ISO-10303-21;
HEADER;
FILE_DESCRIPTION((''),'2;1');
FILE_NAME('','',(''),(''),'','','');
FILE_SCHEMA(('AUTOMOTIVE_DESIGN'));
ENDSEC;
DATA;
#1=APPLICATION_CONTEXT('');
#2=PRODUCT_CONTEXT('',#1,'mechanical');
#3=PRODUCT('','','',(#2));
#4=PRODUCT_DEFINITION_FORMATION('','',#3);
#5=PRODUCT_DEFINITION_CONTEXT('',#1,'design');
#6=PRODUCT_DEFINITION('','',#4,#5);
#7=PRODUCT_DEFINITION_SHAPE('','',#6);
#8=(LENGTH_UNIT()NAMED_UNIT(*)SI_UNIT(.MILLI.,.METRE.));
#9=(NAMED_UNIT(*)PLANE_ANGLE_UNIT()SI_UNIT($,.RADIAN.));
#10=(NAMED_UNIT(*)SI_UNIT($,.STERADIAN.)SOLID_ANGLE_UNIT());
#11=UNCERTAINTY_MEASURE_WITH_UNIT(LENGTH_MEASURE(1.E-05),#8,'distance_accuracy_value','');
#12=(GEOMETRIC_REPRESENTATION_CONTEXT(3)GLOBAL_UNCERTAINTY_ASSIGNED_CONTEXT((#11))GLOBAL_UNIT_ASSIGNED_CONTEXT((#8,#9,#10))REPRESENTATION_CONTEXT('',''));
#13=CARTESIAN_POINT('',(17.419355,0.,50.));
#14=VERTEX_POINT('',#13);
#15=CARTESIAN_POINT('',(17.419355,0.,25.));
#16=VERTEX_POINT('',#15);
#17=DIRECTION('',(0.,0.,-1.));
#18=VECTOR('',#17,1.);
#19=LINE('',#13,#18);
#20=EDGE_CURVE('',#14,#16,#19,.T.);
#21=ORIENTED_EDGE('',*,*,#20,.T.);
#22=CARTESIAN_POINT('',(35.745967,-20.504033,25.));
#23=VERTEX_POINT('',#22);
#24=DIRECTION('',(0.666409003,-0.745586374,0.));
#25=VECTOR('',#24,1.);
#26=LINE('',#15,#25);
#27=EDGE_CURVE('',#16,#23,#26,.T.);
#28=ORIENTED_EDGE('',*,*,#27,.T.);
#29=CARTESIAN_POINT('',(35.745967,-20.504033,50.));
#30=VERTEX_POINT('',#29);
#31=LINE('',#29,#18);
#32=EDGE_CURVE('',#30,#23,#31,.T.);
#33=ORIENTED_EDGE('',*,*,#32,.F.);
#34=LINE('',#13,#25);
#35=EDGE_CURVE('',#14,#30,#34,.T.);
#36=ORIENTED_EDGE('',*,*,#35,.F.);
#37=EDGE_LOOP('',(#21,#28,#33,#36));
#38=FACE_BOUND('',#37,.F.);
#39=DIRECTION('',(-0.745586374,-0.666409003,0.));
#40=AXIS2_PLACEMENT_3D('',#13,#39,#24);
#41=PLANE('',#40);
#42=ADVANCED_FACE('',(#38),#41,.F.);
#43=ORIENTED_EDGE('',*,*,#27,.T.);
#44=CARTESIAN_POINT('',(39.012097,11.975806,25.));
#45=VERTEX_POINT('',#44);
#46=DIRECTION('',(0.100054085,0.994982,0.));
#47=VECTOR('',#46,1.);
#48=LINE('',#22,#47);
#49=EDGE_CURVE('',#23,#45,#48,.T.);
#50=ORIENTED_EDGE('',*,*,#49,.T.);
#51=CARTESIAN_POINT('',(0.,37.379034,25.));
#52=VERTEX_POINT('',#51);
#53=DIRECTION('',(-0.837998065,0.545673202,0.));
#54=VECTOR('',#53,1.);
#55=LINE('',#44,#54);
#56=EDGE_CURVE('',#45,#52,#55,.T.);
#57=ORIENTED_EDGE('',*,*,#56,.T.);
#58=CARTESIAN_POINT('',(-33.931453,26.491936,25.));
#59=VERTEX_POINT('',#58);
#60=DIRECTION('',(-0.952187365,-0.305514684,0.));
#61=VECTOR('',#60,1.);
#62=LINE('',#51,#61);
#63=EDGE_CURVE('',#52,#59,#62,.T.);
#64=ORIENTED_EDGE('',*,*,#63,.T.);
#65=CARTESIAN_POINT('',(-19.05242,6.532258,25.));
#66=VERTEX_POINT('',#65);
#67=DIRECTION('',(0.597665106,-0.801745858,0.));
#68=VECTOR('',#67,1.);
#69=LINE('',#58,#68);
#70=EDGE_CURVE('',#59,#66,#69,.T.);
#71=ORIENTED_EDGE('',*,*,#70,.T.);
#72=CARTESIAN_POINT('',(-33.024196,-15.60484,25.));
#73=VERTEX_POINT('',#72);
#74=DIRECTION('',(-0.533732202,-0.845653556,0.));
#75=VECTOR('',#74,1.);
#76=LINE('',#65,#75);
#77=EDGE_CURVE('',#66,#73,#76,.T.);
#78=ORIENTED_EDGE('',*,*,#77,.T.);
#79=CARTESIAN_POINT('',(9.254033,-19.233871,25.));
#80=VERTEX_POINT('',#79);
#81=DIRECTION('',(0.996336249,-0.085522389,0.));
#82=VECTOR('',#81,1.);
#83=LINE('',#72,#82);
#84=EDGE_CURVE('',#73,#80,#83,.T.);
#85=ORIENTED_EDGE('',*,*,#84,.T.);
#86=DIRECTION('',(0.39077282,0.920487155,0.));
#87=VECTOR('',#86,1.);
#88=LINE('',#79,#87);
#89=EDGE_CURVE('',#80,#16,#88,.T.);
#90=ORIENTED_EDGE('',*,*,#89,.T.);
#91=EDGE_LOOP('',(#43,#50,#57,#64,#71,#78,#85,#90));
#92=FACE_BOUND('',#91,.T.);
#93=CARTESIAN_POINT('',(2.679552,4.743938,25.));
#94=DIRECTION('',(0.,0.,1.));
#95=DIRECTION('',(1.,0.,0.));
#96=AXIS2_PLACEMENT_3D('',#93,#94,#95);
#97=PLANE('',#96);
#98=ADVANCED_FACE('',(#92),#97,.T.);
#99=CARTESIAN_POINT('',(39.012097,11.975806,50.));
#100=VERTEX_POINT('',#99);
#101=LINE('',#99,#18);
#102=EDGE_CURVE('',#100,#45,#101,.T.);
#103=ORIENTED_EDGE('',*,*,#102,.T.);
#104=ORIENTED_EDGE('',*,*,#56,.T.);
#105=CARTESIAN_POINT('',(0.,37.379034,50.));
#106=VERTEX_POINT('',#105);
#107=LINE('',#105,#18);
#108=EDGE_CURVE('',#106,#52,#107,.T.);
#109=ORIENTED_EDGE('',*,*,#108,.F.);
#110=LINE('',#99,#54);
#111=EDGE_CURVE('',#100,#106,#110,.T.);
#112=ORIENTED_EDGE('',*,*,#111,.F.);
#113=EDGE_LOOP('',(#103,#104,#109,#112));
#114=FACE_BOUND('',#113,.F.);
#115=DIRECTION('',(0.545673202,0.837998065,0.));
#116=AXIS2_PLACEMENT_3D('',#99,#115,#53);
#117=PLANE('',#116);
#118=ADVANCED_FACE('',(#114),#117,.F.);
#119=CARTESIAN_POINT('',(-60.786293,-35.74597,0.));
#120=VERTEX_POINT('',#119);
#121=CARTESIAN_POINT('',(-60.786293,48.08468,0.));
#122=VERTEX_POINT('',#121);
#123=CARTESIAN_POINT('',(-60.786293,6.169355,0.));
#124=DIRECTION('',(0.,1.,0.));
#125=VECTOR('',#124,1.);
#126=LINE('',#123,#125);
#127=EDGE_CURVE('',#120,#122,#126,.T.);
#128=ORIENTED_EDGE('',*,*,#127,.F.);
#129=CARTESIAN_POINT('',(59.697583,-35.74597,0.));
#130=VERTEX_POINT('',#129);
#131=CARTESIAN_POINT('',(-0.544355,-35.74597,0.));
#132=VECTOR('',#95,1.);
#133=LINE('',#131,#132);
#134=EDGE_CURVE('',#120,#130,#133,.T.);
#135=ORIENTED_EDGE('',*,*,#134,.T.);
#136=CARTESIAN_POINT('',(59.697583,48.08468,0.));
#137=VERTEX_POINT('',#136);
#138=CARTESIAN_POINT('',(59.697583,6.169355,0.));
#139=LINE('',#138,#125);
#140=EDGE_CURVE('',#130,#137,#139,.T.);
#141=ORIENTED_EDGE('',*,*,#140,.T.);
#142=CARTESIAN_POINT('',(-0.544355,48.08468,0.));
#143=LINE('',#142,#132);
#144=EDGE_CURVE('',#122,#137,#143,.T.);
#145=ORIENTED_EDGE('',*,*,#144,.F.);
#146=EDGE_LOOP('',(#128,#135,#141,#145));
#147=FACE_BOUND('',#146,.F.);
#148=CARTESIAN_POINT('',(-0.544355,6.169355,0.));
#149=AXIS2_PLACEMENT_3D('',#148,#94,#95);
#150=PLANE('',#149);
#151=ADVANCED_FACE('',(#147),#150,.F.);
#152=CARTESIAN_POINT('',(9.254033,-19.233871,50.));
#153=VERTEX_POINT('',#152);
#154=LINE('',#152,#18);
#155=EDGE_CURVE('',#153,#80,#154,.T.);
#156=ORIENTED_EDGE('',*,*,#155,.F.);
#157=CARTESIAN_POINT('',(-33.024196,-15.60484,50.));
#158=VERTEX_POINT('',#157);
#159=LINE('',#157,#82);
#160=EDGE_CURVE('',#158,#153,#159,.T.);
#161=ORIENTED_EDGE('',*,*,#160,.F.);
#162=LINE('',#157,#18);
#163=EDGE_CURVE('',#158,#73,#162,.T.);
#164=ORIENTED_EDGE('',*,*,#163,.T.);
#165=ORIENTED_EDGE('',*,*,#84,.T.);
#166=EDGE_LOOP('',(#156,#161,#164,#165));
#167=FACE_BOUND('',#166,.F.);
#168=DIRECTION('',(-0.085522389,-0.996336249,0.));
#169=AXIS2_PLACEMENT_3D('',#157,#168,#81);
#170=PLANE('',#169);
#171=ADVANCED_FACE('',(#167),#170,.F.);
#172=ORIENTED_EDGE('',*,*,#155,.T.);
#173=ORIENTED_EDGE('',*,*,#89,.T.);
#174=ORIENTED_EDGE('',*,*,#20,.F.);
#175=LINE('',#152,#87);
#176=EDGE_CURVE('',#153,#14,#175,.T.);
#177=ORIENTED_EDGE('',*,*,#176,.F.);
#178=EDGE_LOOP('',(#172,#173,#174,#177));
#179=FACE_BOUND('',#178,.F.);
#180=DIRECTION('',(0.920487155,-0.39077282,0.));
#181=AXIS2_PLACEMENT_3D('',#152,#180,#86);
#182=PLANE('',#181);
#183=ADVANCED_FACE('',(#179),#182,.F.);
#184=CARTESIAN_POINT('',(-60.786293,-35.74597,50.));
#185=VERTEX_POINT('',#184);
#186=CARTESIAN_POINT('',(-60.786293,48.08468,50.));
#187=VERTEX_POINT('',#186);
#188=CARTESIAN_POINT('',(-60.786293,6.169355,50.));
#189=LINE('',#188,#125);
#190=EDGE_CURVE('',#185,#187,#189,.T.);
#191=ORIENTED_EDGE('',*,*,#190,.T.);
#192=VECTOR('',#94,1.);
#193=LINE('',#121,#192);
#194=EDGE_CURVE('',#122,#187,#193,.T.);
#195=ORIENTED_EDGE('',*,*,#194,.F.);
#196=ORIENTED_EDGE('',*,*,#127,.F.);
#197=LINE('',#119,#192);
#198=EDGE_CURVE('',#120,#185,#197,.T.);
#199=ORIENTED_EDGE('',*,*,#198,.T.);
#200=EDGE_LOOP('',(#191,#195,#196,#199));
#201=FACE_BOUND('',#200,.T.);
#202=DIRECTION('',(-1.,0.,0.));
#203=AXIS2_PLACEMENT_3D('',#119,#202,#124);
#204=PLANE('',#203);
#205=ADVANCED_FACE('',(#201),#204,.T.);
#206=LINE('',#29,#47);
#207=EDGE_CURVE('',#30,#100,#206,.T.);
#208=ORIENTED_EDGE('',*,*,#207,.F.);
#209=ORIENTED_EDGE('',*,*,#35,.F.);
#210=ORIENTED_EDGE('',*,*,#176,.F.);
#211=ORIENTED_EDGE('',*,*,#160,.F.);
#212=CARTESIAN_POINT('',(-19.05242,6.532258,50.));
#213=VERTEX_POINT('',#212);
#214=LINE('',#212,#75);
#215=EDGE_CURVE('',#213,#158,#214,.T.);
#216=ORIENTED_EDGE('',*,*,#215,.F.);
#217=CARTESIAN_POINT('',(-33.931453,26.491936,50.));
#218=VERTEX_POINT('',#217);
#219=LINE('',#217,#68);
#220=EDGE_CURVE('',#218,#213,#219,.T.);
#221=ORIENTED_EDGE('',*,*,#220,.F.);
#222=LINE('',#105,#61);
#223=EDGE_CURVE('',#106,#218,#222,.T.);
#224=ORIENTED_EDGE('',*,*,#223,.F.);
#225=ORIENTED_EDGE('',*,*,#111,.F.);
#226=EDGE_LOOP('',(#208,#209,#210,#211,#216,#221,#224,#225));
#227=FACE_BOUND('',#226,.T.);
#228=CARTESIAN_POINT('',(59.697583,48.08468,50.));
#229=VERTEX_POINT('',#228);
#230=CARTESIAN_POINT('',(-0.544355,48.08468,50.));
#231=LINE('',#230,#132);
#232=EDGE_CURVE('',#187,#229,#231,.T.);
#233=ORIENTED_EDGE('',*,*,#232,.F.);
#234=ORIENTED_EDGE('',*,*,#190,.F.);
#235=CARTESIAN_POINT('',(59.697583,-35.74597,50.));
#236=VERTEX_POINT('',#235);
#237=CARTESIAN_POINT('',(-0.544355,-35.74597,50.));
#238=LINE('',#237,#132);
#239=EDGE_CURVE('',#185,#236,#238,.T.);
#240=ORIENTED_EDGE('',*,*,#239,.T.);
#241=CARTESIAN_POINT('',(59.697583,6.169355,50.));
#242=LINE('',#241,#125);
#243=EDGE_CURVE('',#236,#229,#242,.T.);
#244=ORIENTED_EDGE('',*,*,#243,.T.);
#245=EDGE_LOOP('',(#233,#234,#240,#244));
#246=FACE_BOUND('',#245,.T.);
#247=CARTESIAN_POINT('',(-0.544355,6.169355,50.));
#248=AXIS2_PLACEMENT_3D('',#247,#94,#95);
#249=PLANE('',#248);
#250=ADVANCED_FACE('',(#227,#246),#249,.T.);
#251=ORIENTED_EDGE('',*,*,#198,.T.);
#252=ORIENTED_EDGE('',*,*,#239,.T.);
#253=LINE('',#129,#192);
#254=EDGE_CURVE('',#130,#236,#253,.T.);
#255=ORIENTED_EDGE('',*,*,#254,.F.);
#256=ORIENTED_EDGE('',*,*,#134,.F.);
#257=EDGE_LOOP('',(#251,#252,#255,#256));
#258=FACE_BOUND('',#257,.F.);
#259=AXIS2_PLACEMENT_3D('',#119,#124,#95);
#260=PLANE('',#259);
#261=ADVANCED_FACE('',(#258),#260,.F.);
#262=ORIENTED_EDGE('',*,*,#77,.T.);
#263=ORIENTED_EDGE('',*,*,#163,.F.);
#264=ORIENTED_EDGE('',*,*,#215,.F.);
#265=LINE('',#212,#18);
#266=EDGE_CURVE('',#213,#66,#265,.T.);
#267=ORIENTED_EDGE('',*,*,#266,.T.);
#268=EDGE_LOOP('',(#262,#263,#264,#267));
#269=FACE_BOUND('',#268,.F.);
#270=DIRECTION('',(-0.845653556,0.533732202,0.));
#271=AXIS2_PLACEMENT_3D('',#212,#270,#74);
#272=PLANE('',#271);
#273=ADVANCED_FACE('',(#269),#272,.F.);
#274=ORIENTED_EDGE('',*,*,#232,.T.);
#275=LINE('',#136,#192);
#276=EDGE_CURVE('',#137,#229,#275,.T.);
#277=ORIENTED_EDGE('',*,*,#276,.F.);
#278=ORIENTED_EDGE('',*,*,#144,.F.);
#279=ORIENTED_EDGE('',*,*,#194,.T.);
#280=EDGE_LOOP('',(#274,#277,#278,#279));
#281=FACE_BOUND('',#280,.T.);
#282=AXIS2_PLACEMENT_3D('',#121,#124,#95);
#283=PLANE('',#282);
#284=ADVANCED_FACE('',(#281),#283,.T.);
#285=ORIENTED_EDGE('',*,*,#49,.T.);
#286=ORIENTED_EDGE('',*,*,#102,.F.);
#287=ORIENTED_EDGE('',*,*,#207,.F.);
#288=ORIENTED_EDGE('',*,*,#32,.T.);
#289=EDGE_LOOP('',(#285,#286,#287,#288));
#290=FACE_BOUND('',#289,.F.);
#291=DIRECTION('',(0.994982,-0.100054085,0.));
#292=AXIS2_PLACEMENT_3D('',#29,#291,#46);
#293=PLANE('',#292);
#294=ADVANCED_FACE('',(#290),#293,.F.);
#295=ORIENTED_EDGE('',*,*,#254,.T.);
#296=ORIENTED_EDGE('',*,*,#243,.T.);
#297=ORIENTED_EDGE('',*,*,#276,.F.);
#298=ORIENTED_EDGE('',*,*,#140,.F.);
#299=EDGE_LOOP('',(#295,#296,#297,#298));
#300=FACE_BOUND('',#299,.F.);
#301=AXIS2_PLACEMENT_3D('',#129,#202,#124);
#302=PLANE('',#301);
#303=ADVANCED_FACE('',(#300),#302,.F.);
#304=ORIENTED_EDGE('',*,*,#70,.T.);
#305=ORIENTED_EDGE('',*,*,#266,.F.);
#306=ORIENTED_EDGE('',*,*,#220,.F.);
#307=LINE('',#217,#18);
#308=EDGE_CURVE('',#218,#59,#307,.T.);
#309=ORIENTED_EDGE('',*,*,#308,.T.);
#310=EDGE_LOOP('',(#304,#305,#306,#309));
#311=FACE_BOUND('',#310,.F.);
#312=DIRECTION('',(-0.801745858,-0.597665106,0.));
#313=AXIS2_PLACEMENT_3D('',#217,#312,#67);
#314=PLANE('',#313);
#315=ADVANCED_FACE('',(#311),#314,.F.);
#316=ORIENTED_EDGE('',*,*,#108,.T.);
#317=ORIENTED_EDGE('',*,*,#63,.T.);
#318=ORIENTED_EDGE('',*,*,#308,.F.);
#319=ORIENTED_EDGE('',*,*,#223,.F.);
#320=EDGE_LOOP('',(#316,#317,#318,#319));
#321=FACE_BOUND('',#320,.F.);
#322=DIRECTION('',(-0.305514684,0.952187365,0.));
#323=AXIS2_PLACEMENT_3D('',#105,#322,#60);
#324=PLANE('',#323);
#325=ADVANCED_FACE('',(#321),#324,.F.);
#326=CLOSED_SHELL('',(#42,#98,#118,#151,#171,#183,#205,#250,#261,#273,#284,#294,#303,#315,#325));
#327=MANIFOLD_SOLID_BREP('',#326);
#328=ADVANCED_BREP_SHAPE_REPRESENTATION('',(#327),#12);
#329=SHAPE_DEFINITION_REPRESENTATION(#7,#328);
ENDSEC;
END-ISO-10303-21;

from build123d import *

# Parameters (mm, degrees)
F0_W     = 120.483875
F0_H     = 83.830651
F1_DEPTH = 50
F3_DEPTH = 25


with BuildPart() as f1:
    # F0 (on Top) → F1 (new body)
    with BuildSketch(Plane.XY):
        with Locations((-0.544355, 6.169355)):
            Rectangle(F0_W, F0_H)
    extrude(amount=F1_DEPTH)

    # F2 (on face) → F3 (cut)
    with BuildSketch(Plane.XY.offset(50)):
        Polygon((-19.05242, 6.532258), (-33.024196, -15.60484), (9.254033, -19.233871), (17.419355, 0), (35.745967, -20.504033), (39.012097, 11.975806), (0, 37.379034), (-33.931453, 26.491936), align=None)
    extrude(amount=-F3_DEPTH, mode=Mode.SUBTRACT)


solid = f1.part
